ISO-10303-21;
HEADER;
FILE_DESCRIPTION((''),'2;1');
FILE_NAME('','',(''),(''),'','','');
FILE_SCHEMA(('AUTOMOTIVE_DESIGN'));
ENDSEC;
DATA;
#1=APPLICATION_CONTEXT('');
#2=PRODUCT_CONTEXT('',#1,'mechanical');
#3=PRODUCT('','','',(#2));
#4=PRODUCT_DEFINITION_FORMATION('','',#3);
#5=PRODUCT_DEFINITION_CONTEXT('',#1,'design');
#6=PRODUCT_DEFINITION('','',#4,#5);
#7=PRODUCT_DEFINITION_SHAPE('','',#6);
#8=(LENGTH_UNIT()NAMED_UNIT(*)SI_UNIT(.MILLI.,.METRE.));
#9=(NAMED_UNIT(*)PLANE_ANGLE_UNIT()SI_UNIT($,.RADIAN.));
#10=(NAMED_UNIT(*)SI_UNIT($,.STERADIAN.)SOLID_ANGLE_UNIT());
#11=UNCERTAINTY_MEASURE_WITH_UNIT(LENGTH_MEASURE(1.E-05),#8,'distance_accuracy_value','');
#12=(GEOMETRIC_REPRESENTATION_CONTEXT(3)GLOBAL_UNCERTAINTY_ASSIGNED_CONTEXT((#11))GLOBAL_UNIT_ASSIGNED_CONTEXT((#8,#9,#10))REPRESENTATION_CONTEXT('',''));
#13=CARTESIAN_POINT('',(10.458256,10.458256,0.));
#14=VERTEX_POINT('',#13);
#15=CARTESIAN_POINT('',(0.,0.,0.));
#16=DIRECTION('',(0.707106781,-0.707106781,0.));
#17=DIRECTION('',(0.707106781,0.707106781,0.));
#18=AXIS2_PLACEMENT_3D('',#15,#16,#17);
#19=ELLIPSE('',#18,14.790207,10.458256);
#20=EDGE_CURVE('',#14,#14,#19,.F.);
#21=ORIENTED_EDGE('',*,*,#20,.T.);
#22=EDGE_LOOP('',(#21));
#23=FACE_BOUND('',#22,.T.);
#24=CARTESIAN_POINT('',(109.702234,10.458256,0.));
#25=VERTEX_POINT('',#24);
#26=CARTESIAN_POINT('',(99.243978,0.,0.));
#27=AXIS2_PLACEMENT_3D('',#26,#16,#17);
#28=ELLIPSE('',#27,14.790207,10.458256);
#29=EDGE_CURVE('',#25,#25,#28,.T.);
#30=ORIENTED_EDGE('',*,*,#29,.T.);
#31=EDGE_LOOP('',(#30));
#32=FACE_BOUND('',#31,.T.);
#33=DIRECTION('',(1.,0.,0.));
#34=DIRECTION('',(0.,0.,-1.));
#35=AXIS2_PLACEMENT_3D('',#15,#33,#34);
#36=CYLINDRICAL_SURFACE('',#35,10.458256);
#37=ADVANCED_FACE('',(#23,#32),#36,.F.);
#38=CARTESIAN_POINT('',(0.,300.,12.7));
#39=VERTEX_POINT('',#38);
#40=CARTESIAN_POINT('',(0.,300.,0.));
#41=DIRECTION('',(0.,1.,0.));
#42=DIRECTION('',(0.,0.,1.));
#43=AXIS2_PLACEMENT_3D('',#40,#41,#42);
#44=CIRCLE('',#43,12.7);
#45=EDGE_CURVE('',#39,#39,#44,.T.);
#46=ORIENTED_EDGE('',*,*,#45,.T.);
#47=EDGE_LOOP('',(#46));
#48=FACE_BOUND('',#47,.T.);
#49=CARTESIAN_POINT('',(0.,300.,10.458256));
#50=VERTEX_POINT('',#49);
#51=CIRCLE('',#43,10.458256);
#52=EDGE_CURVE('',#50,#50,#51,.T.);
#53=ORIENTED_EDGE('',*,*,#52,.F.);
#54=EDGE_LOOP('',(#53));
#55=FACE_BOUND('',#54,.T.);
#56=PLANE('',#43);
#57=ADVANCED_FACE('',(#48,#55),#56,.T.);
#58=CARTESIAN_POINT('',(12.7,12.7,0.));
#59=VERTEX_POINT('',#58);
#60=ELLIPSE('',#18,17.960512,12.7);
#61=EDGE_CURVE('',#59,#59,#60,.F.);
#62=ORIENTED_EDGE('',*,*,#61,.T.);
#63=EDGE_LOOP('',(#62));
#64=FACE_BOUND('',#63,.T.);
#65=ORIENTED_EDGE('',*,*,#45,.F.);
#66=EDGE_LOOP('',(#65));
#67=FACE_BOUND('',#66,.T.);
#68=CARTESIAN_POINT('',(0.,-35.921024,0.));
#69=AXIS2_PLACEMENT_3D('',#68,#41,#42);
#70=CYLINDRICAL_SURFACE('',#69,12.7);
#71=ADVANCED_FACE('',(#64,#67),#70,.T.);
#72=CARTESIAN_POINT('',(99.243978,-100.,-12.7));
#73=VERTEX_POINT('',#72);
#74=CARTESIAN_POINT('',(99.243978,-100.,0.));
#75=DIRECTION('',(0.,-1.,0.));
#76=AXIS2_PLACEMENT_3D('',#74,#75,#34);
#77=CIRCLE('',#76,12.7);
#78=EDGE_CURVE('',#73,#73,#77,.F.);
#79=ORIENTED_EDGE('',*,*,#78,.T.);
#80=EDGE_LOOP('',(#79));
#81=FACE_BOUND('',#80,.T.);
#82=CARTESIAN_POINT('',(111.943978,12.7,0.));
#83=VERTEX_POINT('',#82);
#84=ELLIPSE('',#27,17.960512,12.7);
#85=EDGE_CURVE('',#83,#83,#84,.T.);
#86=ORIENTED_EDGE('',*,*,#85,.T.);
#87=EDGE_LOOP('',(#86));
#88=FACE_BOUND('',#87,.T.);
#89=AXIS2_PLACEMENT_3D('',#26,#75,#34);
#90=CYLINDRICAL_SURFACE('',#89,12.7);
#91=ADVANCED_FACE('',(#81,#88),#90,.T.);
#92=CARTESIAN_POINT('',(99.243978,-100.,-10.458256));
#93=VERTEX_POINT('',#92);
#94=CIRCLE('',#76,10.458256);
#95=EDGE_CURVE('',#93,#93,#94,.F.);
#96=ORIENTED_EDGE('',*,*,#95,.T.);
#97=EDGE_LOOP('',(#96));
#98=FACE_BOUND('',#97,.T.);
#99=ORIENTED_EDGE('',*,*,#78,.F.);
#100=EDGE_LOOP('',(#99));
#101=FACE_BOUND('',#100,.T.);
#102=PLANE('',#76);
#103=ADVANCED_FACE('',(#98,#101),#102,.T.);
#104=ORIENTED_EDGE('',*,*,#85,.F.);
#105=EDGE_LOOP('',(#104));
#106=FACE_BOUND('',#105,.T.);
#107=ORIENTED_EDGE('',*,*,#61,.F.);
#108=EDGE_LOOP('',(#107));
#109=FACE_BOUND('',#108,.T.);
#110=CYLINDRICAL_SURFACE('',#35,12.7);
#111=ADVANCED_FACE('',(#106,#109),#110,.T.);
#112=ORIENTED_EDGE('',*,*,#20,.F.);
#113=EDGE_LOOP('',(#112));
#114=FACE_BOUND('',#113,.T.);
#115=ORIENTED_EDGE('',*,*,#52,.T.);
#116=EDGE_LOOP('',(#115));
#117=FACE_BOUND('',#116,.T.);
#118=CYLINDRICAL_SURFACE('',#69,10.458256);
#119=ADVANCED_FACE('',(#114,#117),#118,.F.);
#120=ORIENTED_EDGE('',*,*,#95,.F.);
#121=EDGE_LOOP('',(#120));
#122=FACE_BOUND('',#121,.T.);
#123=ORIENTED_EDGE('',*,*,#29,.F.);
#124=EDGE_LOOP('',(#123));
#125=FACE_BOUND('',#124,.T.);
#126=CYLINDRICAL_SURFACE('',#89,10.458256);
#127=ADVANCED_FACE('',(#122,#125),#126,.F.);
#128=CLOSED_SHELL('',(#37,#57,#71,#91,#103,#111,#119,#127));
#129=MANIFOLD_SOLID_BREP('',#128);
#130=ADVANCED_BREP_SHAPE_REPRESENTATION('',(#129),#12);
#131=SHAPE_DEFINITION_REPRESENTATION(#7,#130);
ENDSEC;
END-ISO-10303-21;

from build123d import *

# Parameters (mm, degrees)
SKETCH2_R   = 12.7
SKETCH2_R_2 = 10.458255758


with BuildPart() as part:
    # Sweep1: sweep along a path in Sketch1
    with BuildLine(Plane.XY) as sweep1_path:
        Line((0, 300), (0, 0))
        Line((0, 0), (99.24397827, 0))
        Line((99.24397827, 0), (99.24397827, -100))
    # Sketch2 → Sweep1 (sweep)
    with BuildSketch(Plane(origin=(0, 300, 0), x_dir=(1, 0, 0), z_dir=(0, 1, 0))):
        Circle(SKETCH2_R)
        Circle(SKETCH2_R_2, mode=Mode.SUBTRACT)
    sweep(path=sweep1_path.line, transition=Transition.RIGHT)


solid = part.part
